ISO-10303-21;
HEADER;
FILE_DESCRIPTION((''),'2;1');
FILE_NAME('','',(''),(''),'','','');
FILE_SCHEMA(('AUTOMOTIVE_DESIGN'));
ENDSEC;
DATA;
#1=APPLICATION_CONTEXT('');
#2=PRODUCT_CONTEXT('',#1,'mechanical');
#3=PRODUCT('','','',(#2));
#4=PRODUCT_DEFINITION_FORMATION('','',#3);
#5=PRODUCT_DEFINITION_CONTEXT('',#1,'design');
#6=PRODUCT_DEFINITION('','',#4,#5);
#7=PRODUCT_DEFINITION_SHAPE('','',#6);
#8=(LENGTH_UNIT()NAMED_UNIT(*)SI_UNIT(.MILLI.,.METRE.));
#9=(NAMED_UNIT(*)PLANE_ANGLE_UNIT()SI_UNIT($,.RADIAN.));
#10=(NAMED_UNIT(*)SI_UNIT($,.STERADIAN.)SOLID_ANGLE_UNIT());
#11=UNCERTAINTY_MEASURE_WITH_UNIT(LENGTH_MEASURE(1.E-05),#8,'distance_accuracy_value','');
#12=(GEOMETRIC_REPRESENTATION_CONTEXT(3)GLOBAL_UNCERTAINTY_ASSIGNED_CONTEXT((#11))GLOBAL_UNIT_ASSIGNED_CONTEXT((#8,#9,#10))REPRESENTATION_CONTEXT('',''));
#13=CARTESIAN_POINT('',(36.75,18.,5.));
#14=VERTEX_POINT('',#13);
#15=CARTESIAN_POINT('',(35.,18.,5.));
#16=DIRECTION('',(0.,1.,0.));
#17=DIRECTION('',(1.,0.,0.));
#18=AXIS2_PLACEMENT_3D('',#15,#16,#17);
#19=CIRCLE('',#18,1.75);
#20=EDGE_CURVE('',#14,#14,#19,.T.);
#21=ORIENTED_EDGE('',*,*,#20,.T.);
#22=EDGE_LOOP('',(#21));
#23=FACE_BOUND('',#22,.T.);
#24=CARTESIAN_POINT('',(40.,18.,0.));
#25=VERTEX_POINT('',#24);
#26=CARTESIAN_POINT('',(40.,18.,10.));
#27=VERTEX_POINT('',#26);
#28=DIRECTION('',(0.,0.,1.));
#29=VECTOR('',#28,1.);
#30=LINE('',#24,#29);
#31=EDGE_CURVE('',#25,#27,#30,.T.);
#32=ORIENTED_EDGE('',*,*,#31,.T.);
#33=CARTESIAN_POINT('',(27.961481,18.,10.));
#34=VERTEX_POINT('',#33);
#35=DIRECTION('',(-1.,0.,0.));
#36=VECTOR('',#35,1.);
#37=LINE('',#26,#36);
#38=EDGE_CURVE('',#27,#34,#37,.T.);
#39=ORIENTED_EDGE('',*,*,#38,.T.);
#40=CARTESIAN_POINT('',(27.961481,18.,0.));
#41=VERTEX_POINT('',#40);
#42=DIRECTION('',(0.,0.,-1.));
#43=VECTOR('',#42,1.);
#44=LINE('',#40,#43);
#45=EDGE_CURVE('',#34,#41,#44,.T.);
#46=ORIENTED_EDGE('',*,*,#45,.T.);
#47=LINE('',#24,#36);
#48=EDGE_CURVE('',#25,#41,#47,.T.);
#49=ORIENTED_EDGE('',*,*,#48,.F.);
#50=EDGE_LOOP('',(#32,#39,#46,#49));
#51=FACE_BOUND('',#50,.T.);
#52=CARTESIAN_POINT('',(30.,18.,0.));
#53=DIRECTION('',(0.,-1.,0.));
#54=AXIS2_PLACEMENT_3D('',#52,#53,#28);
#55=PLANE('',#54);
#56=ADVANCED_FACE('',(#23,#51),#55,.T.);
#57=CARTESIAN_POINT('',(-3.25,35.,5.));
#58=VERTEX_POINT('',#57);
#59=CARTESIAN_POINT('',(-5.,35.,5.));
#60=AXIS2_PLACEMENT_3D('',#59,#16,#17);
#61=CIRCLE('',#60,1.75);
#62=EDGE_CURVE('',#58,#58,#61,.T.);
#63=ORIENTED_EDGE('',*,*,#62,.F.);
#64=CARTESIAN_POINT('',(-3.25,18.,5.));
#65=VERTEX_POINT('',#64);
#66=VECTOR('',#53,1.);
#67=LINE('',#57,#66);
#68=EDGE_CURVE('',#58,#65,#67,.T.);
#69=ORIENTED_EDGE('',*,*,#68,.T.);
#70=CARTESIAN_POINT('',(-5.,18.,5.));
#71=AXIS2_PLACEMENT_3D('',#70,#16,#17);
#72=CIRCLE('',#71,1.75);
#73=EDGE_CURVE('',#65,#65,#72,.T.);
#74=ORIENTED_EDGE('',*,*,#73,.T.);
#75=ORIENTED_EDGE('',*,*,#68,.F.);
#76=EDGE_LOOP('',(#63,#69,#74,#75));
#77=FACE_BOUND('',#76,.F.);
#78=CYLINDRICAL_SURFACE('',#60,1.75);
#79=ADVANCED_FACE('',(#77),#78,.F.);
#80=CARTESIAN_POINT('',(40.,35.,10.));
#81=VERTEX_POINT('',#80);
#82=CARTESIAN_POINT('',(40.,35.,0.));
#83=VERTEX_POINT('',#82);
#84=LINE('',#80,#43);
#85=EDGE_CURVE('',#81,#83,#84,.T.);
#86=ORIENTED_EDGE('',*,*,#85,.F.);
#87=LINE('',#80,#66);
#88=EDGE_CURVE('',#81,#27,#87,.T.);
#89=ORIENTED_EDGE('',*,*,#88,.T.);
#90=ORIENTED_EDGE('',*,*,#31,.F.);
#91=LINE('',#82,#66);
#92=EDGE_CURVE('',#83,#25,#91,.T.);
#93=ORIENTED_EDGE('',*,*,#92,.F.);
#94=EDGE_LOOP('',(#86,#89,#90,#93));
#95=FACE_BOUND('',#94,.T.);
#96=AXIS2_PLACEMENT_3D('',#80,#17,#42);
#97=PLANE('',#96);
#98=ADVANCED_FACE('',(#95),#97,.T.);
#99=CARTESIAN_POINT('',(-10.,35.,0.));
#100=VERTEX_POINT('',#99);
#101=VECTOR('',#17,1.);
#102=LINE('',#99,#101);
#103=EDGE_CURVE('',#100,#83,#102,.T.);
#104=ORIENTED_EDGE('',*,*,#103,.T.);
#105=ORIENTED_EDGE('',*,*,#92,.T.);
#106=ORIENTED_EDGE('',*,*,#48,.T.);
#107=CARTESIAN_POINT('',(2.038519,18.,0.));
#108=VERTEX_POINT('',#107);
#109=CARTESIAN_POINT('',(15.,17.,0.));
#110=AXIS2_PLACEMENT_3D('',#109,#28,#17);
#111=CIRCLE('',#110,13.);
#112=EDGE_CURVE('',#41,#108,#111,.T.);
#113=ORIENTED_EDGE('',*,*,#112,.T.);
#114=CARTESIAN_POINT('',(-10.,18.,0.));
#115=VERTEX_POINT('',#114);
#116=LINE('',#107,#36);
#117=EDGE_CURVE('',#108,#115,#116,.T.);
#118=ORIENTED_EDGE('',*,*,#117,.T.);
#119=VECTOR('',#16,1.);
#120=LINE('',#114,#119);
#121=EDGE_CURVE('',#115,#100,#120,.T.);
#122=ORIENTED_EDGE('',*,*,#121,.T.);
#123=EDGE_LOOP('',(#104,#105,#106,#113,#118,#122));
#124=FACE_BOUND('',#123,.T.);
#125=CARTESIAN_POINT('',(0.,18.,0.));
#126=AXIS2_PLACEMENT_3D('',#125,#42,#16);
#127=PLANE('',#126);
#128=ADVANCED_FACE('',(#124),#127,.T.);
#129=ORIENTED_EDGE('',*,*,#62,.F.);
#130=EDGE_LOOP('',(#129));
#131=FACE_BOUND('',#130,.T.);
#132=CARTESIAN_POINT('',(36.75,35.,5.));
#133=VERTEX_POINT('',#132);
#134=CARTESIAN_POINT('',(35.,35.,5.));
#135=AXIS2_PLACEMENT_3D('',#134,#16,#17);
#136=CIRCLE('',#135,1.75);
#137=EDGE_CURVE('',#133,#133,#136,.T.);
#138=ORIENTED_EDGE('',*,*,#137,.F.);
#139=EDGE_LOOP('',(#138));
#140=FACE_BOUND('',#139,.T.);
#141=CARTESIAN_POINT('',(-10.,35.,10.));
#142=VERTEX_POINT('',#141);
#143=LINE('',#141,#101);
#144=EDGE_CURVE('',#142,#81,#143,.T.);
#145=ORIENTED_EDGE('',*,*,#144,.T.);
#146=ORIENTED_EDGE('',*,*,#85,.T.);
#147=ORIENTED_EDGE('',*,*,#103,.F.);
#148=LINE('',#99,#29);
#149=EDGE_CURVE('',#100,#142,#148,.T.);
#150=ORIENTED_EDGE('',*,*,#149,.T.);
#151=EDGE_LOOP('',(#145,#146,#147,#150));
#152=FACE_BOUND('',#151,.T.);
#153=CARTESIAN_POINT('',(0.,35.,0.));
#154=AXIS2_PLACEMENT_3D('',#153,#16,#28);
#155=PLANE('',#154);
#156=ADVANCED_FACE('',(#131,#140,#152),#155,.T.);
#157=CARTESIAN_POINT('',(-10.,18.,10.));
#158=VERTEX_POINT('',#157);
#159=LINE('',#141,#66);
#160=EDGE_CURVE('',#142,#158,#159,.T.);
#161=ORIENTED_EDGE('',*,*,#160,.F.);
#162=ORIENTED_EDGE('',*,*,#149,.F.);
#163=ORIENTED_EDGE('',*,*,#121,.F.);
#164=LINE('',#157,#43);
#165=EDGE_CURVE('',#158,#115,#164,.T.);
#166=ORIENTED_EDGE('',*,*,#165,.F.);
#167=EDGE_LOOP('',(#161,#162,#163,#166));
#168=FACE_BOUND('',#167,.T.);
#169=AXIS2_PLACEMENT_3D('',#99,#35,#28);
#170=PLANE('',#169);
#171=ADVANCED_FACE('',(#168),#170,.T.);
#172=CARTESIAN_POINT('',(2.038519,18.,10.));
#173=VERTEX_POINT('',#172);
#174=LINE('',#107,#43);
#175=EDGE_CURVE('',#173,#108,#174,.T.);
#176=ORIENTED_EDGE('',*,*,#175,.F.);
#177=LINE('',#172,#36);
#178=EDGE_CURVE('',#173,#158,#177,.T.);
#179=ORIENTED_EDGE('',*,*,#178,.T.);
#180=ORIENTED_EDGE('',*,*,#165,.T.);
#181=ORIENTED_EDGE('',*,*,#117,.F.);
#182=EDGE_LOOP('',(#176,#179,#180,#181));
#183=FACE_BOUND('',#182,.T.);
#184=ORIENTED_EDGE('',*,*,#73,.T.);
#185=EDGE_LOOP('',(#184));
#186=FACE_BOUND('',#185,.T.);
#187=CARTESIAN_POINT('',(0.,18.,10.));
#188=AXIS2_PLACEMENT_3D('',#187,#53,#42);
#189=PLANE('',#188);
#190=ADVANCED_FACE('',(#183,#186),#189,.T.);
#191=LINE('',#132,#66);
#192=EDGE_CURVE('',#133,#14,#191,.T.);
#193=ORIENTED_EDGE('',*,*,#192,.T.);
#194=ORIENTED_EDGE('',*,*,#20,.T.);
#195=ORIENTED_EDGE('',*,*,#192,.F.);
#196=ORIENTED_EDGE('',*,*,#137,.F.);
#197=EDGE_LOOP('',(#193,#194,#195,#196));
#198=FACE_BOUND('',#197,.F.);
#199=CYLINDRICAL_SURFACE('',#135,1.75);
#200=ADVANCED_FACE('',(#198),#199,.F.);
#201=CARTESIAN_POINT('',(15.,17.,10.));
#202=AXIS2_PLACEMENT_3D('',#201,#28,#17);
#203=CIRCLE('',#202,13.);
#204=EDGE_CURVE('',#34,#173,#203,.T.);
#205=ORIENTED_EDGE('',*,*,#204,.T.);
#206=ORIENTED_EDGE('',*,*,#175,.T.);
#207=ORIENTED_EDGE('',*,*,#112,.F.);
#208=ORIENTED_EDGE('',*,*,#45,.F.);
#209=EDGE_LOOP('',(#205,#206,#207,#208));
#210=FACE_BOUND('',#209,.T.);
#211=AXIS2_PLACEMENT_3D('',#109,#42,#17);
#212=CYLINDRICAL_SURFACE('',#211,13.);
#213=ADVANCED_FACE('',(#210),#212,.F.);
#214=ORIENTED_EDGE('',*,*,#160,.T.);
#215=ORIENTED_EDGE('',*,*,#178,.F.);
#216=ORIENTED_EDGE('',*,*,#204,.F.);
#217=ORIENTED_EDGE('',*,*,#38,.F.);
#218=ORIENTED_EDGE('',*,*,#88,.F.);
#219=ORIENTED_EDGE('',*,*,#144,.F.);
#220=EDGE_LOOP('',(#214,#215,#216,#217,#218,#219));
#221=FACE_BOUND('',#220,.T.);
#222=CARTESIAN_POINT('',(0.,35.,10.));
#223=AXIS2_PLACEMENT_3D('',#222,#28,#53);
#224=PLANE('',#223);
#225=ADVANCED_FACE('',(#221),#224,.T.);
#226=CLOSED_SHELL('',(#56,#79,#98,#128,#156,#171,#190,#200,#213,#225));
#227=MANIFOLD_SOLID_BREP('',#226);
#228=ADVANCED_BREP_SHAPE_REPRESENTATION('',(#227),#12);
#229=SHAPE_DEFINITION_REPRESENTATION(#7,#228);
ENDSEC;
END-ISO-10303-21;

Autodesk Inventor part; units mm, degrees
ref_plane "YZ Plane" through (0, 0, 0) normal (1, 0, 0) x (0, 1, 0)
ref_plane "XZ Plane" through (0, 0, 0) normal (0, 1, 0) x (-1, 0, 0)
ref_plane "XY Plane" through (0, 0, 0) normal (0, 0, 1) x (1, 0, 0)
sketch "Sketch1" plane through (0, 0, 0) normal (0, 0, 1) x (1, 0, 0)
  line L0 (0, 0) -> (30, 0)
  line L1 (30, 0) -> (30, 35)
  line L2 (30, 35) -> (0, 35)
  line L3 (0, 35) -> (0, 0)
  circle A0 centre (15, 17) radius 13
  dimension "d0" = 30
  dimension "d1" = 35
  dimension "d2" = 26
  dimension "d3" = 15
  dimension "d4" = 18
extrude "Extrusion1" add sketch "Sketch1" along normal blind 10
sketch "Sketch4" plane through (30, 0, 0) normal (1, 0, 0) x (0, 0, -1)
  line L0 (0, 0) -> (-10, 0) projected
  line L1 (0, 0) -> (0, 35) projected
  line L2 (-10, 0) -> (0, 0)
  line L3 (0, 0) -> (0, 18)
  line L4 (0, 18) -> (-10, 18)
  line L5 (-10, 18) -> (-10, 0)
  dimension "d25" = 18
extrude "Extrusion2" cut sketch "Sketch4" against normal through all
sketch "Sketch5" plane through (30, 35, 10) normal (1, 0, 0) x (0, 0, -1)
  line L0 (10, 0) -> (10, -17) projected
  line L1 (0, 0) -> (0, -17) projected
  line L2 (10, -17) -> (0, -17)
  line L3 (0, -17) -> (0, 0)
  line L4 (0, 0) -> (10, 0)
  line L5 (10, 0) -> (10, -17)
  point P0 (10, -35)
extrude "Extrusion3" add sketch "Sketch5" along normal blind 10
sketch "Sketch6" plane through (0, 35, 0) normal (-1, 0, 0) x (0, 0, 1)
  line L0 (0, -17) -> (0, 0) projected
  line L1 (10, -17) -> (0, -17)
  line L2 (0, -17) -> (0, 0)
  line L3 (0, 0) -> (10, 0)
  line L4 (10, 0) -> (10, -17)
  point P0 (0, -35)
extrude "Extrusion4" add sketch "Sketch6" along normal blind 10
sketch "Sketch7" plane through (40, 35, 10) normal (0, 1, 0) x (1, 0, 0)
  circle A0 centre (-45, 5) radius 1.75
  circle A1 centre (-5, 5) radius 1.75
  line L0 (-50, 0) -> (-50, 10) projected
  line L1 (-50, 10) -> (0, 10) projected
  line L2 (0, 10) -> (0, 0) projected
  point P0 (-40, 10)
  dimension "d32" = 3.5
  dimension "d33" = 3.5
  dimension "d34" = 5
  dimension "d35" = 5
  dimension "d36" = 5
  dimension "d37" = 5
extrude "Extrusion5" cut sketch "Sketch7" against normal through all
properties part number "motortarto" material "ABS Plastic"
